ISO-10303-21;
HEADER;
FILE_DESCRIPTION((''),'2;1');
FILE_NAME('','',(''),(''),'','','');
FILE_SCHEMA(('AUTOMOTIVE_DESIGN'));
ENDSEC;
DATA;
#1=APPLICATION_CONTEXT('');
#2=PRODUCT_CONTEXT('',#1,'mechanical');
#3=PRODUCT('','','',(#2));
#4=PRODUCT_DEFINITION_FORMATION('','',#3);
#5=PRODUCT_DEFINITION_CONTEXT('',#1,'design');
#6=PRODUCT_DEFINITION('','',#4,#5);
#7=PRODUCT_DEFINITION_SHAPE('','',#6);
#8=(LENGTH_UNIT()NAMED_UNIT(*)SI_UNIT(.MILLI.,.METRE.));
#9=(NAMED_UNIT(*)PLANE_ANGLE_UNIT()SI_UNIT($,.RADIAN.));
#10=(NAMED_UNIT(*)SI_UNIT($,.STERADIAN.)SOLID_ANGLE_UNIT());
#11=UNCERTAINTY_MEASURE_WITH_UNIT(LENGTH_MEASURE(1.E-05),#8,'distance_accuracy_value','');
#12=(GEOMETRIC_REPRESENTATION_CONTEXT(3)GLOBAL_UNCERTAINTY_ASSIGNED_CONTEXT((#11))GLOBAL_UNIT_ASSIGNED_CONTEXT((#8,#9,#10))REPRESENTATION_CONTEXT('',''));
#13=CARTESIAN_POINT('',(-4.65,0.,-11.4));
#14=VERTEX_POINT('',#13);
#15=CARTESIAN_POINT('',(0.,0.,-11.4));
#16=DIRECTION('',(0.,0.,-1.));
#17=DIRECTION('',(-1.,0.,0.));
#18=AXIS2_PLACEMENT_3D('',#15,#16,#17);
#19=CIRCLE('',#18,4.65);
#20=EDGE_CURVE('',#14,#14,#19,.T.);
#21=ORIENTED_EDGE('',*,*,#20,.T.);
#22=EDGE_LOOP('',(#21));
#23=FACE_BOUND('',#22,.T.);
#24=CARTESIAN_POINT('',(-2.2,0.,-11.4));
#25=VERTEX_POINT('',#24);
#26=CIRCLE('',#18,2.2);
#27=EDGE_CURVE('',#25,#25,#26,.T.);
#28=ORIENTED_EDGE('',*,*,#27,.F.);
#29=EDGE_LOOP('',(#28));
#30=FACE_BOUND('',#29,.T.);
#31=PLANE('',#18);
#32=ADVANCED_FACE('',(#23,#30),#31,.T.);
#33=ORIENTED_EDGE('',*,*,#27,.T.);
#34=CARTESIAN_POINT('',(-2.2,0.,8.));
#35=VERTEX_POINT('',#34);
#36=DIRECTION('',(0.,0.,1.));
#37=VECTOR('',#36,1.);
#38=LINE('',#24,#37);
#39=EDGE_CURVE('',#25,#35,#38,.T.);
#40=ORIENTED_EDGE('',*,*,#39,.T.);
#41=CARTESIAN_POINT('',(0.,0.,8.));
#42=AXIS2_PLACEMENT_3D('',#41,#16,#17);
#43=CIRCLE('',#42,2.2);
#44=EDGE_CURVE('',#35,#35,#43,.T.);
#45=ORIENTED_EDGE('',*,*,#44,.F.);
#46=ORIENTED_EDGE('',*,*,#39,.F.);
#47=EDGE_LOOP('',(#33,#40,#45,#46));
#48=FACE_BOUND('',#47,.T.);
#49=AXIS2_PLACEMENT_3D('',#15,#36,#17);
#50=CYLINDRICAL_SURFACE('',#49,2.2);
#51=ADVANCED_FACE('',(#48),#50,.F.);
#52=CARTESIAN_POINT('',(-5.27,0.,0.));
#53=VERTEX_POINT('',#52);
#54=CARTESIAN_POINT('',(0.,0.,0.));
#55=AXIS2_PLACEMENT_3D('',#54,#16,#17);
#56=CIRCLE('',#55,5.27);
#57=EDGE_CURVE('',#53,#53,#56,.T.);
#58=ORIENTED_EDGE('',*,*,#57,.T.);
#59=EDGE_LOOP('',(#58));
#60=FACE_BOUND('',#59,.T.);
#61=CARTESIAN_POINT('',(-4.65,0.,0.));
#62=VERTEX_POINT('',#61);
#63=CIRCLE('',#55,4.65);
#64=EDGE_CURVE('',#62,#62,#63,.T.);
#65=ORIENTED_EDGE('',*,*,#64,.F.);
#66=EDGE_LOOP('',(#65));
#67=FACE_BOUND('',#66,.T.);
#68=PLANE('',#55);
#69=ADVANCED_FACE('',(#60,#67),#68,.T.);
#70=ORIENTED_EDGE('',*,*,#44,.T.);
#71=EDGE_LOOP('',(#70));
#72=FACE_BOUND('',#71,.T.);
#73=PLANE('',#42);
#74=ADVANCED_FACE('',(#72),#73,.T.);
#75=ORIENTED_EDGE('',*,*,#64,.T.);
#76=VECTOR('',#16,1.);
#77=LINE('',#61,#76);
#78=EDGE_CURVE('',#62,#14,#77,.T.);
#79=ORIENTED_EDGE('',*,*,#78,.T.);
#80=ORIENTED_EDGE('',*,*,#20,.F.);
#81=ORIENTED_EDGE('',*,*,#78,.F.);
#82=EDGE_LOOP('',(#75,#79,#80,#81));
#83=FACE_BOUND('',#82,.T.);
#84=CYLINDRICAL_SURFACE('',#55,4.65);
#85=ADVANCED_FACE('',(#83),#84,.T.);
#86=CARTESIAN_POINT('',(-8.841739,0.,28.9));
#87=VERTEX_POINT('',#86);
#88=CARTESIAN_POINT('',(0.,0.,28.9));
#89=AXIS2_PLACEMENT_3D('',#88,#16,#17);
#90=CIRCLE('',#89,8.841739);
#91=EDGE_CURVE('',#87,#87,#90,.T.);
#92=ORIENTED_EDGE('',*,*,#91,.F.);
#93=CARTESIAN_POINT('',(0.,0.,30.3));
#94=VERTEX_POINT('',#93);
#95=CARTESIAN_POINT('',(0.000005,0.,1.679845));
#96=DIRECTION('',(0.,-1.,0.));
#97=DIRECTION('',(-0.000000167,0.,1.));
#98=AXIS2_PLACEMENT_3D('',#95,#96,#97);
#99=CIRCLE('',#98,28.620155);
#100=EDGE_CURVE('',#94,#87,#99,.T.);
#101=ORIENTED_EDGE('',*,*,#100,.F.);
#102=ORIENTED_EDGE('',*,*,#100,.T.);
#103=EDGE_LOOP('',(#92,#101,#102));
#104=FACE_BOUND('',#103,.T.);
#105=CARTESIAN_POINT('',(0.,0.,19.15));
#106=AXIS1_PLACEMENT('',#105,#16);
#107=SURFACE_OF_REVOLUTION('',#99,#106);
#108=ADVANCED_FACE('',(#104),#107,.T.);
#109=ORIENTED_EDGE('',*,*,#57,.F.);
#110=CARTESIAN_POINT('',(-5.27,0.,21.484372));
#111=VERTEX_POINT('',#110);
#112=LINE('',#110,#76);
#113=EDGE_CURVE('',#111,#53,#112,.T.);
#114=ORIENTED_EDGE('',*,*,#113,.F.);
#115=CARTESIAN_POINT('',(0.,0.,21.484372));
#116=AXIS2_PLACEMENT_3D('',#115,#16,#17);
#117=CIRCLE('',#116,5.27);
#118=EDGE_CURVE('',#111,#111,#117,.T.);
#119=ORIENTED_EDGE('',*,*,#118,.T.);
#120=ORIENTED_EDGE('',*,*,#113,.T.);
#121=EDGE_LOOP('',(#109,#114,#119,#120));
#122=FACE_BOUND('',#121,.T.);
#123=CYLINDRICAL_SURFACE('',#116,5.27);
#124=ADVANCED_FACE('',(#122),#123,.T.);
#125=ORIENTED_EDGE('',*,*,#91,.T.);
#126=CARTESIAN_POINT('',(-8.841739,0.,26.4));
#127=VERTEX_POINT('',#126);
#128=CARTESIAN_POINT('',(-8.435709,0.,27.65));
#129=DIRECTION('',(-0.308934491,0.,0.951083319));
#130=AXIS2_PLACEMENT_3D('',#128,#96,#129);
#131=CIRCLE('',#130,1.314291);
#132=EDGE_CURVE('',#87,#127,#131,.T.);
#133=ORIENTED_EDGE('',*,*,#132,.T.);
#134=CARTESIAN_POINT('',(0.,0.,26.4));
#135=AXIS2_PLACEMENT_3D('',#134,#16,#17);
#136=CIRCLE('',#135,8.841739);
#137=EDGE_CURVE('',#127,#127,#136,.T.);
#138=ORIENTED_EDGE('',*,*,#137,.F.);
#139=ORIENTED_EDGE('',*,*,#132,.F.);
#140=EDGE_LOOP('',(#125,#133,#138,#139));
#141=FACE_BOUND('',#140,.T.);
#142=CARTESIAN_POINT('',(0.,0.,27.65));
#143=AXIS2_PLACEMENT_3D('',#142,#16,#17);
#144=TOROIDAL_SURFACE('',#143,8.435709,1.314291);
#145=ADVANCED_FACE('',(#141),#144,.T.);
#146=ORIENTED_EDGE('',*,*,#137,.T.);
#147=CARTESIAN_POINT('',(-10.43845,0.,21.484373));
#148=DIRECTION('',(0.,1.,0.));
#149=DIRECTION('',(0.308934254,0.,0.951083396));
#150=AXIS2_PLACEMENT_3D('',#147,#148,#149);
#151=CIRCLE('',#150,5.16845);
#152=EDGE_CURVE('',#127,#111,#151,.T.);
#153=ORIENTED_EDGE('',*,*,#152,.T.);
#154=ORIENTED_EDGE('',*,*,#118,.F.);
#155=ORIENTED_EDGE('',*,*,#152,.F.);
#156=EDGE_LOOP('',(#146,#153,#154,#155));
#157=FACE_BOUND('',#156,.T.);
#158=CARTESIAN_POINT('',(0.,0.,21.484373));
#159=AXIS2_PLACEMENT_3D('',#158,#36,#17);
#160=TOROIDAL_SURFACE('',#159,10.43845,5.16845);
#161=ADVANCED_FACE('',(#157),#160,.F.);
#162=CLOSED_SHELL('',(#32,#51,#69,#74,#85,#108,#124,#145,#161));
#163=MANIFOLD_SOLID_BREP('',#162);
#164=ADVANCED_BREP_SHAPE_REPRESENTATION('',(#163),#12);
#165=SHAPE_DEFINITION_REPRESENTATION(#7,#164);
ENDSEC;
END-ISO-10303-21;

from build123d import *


with BuildPart() as f1:
    # F0 (on Front) → F1 (revolve)
    with BuildSketch(Plane.XZ):
        with BuildLine():
            Line((-2.2, 8), (0, 8))
            Line((0, 8), (0, 30.3))
            ThreePointArc((0, 30.3), (-4.475945, 29.947833), (-8.841739, 28.9))
            ThreePointArc((-8.841739, 28.9), (-9.75, 27.65), (-8.841739, 26.4))
            ThreePointArc((-8.841739, 26.4), (-6.257218, 24.522493), (-5.27, 21.484372))
            Line((-5.27, 21.484372), (-5.27, 0))
            Line((-5.27, 0), (-4.65, 0))
            Line((-4.65, 0), (-4.65, -11.4))
            Line((-4.65, -11.4), (-2.2, -11.4))
            Line((-2.2, -11.4), (-2.2, 8))
        make_face()
    revolve(axis=Axis((0, 0, 19.15), (0, 0, -1)))


solid = f1.part
